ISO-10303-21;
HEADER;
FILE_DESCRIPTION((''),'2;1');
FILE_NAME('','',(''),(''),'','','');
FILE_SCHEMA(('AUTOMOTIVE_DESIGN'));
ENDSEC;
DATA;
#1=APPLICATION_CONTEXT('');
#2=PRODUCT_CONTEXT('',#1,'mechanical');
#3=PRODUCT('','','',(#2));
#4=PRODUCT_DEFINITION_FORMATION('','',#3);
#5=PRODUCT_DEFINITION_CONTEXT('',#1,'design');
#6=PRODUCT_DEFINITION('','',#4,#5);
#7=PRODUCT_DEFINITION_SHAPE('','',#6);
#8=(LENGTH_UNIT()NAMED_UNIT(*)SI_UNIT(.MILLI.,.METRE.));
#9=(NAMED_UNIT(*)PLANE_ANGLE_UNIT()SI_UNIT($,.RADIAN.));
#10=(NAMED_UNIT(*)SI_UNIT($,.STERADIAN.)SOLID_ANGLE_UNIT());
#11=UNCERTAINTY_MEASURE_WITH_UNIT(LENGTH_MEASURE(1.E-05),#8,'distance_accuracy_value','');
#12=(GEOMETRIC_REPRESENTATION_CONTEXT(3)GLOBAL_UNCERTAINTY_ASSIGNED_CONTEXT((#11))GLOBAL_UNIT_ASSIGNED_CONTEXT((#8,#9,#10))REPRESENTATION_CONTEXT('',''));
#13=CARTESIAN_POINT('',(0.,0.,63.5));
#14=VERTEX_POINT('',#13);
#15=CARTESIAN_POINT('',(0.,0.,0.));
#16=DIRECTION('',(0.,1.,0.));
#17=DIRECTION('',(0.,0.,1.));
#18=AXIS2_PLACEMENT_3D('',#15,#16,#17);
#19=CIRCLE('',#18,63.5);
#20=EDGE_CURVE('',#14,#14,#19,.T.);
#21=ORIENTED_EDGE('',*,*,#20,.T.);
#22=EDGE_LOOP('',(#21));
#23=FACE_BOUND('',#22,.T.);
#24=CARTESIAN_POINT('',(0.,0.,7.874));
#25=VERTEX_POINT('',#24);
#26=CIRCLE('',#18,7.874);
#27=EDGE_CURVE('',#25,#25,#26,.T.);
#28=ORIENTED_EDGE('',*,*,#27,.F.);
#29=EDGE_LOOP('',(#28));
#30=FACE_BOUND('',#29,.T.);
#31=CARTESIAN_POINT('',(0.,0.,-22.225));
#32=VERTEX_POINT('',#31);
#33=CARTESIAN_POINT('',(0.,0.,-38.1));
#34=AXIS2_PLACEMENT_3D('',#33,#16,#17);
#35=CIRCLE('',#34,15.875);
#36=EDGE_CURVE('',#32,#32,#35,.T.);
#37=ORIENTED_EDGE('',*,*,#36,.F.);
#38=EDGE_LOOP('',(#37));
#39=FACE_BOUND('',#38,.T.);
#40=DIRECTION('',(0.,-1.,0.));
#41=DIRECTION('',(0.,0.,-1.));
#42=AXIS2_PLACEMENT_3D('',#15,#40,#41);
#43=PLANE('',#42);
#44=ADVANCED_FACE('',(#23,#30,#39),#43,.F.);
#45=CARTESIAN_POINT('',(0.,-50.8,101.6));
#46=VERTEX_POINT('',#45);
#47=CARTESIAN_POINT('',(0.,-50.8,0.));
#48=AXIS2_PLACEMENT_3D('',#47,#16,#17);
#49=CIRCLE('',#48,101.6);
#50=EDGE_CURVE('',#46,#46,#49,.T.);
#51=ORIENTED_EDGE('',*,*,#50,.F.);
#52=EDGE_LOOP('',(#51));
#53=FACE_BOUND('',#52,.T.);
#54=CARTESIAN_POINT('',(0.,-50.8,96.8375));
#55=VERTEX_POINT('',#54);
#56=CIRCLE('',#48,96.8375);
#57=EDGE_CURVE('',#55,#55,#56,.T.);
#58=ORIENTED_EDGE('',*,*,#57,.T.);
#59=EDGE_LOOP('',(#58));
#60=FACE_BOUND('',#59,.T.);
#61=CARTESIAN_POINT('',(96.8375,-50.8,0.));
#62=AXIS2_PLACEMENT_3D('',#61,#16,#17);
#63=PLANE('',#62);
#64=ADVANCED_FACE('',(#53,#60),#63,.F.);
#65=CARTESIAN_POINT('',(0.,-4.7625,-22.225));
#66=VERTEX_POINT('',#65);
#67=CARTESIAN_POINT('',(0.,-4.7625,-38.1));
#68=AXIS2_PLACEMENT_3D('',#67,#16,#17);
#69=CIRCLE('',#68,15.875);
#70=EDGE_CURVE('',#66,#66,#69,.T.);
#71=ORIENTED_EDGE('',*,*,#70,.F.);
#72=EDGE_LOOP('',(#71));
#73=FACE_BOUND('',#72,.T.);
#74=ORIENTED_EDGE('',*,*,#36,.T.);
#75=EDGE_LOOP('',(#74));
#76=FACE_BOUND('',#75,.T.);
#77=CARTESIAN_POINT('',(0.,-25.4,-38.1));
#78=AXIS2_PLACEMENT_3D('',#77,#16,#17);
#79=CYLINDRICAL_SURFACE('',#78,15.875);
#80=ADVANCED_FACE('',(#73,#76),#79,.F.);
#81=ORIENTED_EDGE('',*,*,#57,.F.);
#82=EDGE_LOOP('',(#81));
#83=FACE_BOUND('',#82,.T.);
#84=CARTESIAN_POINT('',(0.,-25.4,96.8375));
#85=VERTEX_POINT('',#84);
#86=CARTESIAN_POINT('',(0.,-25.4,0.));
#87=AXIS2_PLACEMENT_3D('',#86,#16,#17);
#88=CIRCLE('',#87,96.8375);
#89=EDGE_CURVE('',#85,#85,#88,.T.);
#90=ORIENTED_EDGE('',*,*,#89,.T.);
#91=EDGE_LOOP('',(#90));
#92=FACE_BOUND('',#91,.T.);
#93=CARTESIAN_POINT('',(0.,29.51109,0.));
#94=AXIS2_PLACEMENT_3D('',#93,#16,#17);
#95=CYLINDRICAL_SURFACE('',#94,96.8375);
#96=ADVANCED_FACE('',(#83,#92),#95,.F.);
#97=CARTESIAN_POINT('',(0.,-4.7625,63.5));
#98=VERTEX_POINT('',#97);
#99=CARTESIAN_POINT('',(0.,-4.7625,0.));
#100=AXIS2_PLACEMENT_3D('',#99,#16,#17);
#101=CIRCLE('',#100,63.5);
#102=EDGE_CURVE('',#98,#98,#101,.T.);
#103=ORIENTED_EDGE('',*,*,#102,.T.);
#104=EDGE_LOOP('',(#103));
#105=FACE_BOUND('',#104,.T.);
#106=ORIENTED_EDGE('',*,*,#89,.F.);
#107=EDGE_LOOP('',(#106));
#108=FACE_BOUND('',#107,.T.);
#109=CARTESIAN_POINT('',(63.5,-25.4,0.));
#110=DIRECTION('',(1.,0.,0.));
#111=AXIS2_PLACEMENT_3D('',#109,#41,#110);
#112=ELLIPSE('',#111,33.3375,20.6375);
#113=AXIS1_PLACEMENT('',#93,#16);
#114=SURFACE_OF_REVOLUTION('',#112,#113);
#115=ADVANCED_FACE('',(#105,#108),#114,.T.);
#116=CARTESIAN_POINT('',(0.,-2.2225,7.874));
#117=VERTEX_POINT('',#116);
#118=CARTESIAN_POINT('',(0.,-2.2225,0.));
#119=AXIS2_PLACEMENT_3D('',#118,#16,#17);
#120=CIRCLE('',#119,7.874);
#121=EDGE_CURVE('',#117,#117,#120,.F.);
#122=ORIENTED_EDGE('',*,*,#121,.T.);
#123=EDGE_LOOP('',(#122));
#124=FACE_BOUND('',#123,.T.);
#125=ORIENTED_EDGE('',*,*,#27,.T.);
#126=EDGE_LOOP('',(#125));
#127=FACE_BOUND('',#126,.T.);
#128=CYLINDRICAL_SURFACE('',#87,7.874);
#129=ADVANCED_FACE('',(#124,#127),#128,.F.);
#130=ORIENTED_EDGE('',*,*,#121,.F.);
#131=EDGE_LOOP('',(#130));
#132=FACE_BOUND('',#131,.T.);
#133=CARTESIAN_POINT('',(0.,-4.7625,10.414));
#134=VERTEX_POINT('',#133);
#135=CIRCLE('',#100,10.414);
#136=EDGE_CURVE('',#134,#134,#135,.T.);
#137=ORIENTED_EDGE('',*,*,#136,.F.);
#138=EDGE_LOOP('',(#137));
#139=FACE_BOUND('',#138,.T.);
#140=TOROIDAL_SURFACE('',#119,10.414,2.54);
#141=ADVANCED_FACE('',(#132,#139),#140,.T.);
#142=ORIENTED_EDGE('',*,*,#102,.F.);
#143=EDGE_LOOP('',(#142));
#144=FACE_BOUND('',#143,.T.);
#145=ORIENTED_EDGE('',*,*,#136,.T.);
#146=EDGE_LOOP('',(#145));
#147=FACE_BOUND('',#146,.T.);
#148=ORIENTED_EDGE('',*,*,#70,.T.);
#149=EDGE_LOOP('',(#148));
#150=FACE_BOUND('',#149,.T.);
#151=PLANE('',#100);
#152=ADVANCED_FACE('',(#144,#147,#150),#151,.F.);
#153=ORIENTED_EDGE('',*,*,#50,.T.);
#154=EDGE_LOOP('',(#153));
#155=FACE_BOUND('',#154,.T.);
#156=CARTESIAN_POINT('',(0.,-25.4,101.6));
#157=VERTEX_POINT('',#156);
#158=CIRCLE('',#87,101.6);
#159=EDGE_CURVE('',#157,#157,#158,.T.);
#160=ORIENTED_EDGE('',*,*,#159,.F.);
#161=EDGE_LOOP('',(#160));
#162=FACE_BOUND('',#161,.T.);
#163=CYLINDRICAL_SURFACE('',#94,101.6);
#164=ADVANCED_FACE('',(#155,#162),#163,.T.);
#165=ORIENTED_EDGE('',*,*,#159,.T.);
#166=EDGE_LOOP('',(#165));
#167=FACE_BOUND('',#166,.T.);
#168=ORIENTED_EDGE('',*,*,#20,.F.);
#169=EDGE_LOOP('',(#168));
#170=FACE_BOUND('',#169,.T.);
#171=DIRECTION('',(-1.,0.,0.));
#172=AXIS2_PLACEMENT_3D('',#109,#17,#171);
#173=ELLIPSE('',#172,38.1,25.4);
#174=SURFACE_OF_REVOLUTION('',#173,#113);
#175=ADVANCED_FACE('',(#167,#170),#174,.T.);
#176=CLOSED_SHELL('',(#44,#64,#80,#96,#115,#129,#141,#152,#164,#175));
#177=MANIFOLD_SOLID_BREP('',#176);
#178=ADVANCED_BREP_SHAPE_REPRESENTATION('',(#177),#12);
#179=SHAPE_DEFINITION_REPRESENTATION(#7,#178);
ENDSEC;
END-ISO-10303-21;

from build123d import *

# Parameters (mm, degrees)
SKETCH2_R          = 15.875
SKETCH2_R_2        = 7.874
CUT_EXTRUDE1_DEPTH = 25.4
FILLET1_R          = 2.54


with BuildPart() as part:
    # Sketch1 → Revolve1 (revolve)
    with BuildSketch(Plane.XY, mode=Mode.PRIVATE) as revolve1_sk:
        with BuildLine():
            Line((0, 0), (0, -4.7625))
            Line((0, -4.7625), (63.5, -4.7625))
            add(Edge.make_bspline(
                [(96.8375, -25.4), (96.8375, -4.7625), (63.5, -4.7625)],
                knots=[0, 0, 0, 1.570796327, 1.570796327, 1.570796327], degree=2, weights=[1, 0.707106781, 1]))
            Line((96.8375, -25.4), (96.8375, -50.8))
            Line((96.8375, -50.8), (101.6, -50.8))
            Line((101.6, -50.8), (101.6, -25.4))
            add(Edge.make_bspline(
                [(101.6, -25.4), (101.6, 0), (63.5, 0)],
                knots=[3.141592654, 3.141592654, 3.141592654, 4.71238898, 4.71238898, 4.71238898], degree=2, weights=[1, 0.707106781, 1]))
            Line((63.5, 0), (0, 0))
        make_face()
    revolve(revolve1_sk.sketch.rotate(Axis((0, 29.511089747, 0), (0, -1, 0)), 90), axis=Axis((0, 29.511089747, 0), (0, -1, 0)))

    # Sketch2 → Cut-Extrude1 (cut)
    with BuildSketch(Plane(origin=(0, 0, 0), x_dir=(1, 0, 0), z_dir=(0, 1, 0))):
        with Locations(Location((0, 38.1, 0), (0, 0, 270))):
            Circle(SKETCH2_R)
        with Locations(Location((0, 0, 0), (0, 0, 270))):
            Circle(SKETCH2_R_2)
    extrude(amount=-CUT_EXTRUDE1_DEPTH, mode=Mode.SUBTRACT)

    # Fillet1
    fillet1_edges = [part.edges().sort_by_distance(p)[0] for p in [
        (0, -4.7625, -7.874),
    ]]
    fillet(fillet1_edges, radius=FILLET1_R)


solid = part.part
